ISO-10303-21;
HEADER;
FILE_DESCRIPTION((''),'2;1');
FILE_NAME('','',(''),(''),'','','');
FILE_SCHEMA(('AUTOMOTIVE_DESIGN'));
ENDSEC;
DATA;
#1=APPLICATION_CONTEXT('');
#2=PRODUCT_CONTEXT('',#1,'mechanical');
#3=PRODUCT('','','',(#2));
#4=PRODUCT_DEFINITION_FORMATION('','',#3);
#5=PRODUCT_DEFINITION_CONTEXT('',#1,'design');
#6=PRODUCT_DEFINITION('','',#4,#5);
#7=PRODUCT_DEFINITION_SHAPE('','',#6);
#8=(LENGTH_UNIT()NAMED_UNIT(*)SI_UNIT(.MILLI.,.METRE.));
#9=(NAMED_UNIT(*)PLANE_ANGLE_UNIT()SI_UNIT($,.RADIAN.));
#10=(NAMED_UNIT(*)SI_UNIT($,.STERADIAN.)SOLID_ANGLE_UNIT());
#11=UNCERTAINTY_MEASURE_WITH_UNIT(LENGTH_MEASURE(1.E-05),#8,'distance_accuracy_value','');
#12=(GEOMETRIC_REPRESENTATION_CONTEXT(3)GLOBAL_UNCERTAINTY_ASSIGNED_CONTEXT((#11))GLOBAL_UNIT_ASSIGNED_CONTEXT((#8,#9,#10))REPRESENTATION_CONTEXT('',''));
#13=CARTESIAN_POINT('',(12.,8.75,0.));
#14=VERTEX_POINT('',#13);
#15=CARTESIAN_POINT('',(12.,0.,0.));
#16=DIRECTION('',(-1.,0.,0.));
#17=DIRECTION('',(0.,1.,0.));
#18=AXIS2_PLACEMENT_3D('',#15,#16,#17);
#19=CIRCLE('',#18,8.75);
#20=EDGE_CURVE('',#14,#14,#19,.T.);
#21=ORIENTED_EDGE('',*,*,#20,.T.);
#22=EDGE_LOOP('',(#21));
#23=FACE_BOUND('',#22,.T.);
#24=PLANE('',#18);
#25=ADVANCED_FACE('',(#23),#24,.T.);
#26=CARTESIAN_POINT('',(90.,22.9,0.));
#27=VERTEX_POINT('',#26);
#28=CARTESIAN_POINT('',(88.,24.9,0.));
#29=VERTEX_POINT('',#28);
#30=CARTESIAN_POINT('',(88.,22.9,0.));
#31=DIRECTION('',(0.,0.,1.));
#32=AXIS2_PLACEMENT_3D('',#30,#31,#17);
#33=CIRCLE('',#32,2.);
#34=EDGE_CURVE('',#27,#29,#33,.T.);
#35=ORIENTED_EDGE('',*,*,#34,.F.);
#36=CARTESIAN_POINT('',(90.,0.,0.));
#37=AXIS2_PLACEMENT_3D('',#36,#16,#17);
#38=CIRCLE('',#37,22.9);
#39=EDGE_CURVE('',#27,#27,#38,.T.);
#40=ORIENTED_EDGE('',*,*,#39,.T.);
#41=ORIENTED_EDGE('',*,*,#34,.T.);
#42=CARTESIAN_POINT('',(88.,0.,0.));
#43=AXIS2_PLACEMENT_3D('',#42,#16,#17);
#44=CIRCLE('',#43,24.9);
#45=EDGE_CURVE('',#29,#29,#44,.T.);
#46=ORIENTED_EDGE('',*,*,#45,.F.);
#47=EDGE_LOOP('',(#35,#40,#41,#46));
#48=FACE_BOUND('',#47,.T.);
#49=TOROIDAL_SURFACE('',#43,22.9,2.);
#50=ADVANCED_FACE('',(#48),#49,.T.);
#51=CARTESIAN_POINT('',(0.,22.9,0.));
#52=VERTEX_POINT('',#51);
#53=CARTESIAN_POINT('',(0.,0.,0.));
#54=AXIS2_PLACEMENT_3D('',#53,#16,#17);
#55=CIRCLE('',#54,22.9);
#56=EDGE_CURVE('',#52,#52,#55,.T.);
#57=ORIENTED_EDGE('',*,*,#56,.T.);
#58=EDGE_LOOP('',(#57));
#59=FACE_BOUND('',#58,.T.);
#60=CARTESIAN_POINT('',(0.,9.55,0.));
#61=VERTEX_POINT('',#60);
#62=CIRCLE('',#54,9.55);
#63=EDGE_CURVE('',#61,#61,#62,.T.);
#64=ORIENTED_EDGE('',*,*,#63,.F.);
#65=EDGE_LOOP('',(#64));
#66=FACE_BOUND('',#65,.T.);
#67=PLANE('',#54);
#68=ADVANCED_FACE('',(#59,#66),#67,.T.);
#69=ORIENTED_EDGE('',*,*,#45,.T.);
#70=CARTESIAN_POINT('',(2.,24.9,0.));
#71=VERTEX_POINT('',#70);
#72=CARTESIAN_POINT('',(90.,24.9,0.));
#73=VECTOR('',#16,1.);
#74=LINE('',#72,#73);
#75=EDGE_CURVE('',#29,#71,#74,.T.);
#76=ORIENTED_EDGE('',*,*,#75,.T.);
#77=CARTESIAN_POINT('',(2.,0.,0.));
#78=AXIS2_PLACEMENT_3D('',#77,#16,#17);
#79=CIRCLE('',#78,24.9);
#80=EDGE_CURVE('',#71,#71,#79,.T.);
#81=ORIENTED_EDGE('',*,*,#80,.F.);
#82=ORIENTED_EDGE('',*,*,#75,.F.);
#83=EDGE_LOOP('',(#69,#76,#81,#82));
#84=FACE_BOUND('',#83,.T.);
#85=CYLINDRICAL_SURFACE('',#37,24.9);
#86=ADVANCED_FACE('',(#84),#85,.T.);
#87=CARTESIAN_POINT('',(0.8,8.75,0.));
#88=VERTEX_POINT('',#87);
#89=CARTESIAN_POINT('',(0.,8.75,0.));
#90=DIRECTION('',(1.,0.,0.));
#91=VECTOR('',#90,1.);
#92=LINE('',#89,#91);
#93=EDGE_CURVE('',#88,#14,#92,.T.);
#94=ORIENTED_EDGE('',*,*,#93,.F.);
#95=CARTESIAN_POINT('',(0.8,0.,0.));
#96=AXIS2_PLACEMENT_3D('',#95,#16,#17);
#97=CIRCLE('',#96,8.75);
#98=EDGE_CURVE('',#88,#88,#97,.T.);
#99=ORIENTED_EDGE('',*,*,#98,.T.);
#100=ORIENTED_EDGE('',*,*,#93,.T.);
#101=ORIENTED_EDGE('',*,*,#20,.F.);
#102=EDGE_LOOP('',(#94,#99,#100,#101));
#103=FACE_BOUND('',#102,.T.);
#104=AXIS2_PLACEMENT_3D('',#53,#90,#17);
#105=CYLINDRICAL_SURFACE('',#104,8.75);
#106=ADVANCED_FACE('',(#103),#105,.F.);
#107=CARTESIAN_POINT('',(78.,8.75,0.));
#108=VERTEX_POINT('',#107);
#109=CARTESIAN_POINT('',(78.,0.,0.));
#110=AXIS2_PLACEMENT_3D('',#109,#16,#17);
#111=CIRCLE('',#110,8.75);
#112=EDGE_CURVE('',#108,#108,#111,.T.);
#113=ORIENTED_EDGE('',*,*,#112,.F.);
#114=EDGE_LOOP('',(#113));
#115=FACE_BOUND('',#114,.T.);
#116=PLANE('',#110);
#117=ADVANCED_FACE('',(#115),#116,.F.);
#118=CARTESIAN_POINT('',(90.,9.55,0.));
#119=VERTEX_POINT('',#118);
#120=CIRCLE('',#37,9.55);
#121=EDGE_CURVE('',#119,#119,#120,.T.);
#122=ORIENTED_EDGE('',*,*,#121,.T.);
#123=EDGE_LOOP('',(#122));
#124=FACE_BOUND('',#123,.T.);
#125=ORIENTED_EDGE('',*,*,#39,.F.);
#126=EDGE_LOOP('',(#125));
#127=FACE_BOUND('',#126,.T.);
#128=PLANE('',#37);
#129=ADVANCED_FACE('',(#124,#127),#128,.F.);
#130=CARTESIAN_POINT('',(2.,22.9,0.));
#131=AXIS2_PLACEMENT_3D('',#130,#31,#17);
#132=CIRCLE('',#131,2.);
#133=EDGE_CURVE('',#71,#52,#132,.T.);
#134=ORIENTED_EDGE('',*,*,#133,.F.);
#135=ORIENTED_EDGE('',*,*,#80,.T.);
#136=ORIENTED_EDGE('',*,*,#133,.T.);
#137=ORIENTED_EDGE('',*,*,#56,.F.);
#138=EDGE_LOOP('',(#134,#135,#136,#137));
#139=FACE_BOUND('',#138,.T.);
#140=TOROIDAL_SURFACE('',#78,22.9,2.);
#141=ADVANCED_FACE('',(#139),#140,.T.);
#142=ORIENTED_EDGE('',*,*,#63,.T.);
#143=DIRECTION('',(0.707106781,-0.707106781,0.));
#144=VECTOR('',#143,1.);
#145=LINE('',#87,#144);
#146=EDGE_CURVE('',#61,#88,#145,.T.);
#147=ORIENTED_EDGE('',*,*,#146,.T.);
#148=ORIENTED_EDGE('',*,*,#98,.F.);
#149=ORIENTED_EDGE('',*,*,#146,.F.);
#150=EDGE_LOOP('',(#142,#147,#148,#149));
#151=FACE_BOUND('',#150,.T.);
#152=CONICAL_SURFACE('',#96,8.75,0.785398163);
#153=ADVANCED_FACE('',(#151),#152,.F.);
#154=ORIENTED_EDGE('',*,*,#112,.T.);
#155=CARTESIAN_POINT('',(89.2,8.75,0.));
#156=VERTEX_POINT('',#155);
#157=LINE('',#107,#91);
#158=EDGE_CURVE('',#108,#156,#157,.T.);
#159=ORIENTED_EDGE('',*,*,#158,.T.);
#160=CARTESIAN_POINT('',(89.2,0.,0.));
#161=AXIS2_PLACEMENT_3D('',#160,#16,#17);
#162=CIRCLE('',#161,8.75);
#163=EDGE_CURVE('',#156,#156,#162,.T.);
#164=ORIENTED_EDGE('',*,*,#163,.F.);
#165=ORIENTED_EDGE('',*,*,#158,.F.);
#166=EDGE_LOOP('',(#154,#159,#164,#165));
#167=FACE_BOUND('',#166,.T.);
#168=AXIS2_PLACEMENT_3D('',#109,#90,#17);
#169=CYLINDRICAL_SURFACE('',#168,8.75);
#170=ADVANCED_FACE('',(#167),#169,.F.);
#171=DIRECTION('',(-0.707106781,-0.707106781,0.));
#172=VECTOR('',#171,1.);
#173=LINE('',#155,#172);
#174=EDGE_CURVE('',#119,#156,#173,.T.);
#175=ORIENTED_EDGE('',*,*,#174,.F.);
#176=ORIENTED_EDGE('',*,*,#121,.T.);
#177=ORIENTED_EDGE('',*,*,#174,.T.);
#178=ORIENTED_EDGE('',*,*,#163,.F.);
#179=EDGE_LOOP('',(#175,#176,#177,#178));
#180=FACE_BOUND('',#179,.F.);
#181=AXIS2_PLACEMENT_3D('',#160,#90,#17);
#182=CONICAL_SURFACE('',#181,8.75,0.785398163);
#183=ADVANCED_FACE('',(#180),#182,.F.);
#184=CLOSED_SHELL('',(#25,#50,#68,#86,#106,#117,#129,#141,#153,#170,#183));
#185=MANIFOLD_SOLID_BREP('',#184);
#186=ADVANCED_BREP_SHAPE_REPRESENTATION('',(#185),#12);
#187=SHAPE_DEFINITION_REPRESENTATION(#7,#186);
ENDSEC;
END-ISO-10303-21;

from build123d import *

# Parameters (mm, degrees)
F2_R    = 2
F3_SIZE = 0.8


with BuildPart() as f1:
    # F0 (on Top) → F1 (revolve)
    with BuildSketch(Plane.XY):
        Polygon((12, 8.75), (12, 0), (78, 0), (78, 8.75), (90, 8.75), (90, 24.9), (0, 24.9), (0, 8.75), align=None)
    revolve(axis=Axis((45, 0, 0), (-1, 0, 0)))

    # F2
    f2_edges = [f1.edges().sort_by_distance(p)[0] for p in [
        (0, -24.9, 0),
        (90, -24.9, 0),
    ]]
    fillet(f2_edges, radius=F2_R)

    # F3
    f3_edges = [f1.edges().sort_by_distance(p)[0] for p in [
        (0, -8.75, 0),
        (90, -8.75, 0),
    ]]
    chamfer(f3_edges, length=F3_SIZE)


solid = f1.part
